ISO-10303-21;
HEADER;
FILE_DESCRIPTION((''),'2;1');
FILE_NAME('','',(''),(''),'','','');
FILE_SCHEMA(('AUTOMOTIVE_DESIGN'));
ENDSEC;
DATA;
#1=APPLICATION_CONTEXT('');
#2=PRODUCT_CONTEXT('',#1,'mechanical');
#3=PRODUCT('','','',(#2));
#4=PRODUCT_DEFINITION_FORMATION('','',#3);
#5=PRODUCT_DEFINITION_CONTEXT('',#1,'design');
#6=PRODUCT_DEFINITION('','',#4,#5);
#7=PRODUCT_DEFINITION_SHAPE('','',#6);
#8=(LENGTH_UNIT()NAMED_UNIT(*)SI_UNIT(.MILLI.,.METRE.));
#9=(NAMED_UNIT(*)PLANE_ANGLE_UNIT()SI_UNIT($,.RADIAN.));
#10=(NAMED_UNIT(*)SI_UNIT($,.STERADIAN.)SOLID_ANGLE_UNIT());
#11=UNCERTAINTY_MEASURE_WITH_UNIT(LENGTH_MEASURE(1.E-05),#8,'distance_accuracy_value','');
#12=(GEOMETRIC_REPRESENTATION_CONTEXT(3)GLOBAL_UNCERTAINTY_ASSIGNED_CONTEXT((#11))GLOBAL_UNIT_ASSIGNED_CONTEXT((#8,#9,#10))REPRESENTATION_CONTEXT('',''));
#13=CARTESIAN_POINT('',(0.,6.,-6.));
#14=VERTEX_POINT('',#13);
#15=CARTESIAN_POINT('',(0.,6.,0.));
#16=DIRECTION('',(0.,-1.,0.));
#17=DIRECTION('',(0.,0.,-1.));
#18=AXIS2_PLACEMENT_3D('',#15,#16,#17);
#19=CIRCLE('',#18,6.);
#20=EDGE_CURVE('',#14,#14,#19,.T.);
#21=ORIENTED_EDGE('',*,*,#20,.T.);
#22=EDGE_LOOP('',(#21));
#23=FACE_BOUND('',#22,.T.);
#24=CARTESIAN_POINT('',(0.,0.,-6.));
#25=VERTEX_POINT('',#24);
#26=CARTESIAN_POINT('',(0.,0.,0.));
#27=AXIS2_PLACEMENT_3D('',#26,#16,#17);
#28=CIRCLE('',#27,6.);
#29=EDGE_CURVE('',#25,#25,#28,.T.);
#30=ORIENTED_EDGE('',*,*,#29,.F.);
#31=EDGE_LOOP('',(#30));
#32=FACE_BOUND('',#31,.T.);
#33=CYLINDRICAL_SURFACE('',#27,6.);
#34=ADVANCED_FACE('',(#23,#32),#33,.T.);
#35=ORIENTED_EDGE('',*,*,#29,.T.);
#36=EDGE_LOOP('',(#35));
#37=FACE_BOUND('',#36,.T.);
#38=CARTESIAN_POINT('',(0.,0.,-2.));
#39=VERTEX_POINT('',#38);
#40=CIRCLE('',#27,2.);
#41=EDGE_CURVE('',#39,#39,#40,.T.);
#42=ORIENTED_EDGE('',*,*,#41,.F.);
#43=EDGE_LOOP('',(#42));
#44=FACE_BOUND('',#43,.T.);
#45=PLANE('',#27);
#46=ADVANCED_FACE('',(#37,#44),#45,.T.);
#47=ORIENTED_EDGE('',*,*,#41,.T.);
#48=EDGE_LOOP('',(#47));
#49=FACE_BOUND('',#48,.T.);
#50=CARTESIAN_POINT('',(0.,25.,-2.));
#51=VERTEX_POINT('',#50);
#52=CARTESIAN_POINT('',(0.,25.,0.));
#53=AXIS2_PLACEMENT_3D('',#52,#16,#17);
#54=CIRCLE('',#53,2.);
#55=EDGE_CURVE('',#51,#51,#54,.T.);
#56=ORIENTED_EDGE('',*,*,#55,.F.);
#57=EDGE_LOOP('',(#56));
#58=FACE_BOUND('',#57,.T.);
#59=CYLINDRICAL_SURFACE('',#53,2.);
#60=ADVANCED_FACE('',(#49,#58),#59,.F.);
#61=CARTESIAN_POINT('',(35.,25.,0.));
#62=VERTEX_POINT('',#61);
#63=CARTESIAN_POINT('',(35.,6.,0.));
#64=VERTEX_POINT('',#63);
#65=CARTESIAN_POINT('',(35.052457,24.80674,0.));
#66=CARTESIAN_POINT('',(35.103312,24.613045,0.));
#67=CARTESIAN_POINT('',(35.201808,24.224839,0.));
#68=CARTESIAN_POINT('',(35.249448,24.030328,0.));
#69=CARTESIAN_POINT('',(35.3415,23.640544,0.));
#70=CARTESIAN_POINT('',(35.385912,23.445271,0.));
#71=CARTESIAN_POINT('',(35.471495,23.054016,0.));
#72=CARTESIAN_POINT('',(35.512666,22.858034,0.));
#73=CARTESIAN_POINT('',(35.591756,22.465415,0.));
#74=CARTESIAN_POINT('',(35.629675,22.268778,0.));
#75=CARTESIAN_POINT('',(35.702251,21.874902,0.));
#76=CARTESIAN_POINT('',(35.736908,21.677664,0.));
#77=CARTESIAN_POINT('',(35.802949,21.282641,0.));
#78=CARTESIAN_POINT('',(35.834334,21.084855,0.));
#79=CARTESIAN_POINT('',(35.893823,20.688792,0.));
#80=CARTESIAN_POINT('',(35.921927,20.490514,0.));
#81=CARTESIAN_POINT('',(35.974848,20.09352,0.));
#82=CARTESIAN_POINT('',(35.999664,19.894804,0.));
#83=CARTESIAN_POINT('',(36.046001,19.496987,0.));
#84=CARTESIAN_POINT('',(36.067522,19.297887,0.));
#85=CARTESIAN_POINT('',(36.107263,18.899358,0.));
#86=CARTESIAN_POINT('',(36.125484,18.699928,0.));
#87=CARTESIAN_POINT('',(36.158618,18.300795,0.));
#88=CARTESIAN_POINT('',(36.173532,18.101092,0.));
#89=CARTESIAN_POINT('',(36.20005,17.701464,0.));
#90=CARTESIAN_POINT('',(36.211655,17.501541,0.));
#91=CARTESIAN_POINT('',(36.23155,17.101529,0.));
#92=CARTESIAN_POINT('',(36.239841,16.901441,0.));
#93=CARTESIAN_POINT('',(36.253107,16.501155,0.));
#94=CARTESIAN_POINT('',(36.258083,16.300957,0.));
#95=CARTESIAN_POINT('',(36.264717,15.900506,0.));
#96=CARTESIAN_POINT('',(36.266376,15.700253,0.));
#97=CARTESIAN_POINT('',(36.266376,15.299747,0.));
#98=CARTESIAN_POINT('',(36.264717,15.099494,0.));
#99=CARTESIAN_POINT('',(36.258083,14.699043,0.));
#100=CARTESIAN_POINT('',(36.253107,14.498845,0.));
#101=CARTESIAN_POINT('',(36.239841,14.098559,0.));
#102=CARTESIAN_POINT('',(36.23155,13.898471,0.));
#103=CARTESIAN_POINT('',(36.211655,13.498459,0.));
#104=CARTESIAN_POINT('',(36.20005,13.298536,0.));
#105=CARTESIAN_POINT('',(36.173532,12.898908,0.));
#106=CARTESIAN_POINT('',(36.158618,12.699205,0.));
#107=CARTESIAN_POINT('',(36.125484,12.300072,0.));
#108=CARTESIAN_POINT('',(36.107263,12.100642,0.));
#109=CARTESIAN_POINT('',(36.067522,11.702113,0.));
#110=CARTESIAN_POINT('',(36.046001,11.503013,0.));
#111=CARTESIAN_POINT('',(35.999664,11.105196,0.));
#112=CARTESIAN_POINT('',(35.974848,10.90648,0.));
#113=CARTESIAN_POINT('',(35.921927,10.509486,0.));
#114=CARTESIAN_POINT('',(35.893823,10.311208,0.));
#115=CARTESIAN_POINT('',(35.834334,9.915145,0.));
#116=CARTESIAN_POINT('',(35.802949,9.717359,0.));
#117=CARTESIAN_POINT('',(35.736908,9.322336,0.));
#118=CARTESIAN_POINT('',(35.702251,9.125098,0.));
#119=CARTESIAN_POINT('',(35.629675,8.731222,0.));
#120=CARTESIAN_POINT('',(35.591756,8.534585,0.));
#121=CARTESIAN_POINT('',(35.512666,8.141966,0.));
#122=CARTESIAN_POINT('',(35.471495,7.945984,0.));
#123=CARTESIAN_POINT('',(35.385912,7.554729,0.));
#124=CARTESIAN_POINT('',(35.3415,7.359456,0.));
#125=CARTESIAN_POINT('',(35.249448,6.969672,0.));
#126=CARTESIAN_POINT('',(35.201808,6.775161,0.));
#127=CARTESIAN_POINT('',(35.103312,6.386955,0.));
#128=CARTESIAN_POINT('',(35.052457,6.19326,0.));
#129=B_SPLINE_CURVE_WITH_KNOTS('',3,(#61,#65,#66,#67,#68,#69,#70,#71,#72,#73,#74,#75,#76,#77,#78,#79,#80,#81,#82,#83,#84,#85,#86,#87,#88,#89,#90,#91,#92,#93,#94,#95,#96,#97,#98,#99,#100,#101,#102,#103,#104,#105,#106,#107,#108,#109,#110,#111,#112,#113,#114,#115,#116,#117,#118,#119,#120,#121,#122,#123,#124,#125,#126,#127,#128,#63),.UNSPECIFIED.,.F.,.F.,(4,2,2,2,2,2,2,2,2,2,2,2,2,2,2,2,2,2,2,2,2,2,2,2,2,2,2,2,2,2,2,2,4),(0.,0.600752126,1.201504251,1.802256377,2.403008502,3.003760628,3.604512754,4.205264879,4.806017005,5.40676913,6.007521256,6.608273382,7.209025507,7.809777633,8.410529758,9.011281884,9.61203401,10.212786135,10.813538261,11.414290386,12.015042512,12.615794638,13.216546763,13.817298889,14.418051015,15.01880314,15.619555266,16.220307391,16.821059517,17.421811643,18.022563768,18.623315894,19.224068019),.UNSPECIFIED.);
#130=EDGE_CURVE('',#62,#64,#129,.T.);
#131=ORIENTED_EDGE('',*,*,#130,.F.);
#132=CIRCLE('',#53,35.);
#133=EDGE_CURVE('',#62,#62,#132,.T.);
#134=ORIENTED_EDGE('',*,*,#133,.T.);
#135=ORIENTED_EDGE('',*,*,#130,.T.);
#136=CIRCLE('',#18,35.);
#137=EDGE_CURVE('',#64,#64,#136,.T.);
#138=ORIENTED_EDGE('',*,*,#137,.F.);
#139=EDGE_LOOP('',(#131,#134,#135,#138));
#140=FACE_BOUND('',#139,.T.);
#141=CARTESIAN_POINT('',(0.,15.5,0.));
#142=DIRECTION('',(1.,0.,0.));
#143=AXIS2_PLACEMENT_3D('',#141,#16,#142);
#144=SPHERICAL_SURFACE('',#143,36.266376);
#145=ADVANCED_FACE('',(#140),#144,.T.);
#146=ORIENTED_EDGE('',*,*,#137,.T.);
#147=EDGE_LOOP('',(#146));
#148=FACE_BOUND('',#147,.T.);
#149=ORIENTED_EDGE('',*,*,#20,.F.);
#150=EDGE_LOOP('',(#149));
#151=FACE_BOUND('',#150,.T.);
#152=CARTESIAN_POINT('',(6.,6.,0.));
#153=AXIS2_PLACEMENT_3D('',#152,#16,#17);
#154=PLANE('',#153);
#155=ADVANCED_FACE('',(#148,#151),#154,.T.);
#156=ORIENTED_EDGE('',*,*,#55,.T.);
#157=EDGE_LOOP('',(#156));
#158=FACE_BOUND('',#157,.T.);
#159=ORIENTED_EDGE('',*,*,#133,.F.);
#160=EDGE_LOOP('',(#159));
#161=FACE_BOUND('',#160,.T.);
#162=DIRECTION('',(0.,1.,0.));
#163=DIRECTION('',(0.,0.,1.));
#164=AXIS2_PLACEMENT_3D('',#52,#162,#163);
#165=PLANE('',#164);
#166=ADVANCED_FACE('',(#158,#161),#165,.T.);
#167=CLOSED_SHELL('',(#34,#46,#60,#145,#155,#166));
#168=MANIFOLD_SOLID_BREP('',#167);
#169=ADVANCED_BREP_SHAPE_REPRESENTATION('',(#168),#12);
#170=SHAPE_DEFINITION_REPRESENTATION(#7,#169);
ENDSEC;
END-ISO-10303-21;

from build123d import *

# Parameters (mm, degrees)
SKETCH2_R          = 2
CUT_EXTRUDE1_DEPTH = 58.056989055


with BuildPart() as part:
    # Sketch1 → Revolve2 (revolve)
    with BuildSketch(Plane.XY):
        with BuildLine():
            Line((0, 0), (0, 25))
            Line((0, 25), (35, 25))
            ThreePointArc((35, 25), (36.266375612, 15.5), (35, 6))
            Line((35, 6), (6, 6))
            Line((6, 6), (6, 0))
            Line((6, 0), (0, 0))
        make_face()
    revolve(axis=Axis((0, 0, 0), (0, 1, 0)))

    # Sketch2 → Cut-Extrude1 (cut, through all)
    with BuildSketch(Plane.XZ):
        with Locations(Location((0, 0, 0), (0, 0, 270))):
            Circle(SKETCH2_R)
    extrude(amount=-CUT_EXTRUDE1_DEPTH, mode=Mode.SUBTRACT)


solid = part.part
